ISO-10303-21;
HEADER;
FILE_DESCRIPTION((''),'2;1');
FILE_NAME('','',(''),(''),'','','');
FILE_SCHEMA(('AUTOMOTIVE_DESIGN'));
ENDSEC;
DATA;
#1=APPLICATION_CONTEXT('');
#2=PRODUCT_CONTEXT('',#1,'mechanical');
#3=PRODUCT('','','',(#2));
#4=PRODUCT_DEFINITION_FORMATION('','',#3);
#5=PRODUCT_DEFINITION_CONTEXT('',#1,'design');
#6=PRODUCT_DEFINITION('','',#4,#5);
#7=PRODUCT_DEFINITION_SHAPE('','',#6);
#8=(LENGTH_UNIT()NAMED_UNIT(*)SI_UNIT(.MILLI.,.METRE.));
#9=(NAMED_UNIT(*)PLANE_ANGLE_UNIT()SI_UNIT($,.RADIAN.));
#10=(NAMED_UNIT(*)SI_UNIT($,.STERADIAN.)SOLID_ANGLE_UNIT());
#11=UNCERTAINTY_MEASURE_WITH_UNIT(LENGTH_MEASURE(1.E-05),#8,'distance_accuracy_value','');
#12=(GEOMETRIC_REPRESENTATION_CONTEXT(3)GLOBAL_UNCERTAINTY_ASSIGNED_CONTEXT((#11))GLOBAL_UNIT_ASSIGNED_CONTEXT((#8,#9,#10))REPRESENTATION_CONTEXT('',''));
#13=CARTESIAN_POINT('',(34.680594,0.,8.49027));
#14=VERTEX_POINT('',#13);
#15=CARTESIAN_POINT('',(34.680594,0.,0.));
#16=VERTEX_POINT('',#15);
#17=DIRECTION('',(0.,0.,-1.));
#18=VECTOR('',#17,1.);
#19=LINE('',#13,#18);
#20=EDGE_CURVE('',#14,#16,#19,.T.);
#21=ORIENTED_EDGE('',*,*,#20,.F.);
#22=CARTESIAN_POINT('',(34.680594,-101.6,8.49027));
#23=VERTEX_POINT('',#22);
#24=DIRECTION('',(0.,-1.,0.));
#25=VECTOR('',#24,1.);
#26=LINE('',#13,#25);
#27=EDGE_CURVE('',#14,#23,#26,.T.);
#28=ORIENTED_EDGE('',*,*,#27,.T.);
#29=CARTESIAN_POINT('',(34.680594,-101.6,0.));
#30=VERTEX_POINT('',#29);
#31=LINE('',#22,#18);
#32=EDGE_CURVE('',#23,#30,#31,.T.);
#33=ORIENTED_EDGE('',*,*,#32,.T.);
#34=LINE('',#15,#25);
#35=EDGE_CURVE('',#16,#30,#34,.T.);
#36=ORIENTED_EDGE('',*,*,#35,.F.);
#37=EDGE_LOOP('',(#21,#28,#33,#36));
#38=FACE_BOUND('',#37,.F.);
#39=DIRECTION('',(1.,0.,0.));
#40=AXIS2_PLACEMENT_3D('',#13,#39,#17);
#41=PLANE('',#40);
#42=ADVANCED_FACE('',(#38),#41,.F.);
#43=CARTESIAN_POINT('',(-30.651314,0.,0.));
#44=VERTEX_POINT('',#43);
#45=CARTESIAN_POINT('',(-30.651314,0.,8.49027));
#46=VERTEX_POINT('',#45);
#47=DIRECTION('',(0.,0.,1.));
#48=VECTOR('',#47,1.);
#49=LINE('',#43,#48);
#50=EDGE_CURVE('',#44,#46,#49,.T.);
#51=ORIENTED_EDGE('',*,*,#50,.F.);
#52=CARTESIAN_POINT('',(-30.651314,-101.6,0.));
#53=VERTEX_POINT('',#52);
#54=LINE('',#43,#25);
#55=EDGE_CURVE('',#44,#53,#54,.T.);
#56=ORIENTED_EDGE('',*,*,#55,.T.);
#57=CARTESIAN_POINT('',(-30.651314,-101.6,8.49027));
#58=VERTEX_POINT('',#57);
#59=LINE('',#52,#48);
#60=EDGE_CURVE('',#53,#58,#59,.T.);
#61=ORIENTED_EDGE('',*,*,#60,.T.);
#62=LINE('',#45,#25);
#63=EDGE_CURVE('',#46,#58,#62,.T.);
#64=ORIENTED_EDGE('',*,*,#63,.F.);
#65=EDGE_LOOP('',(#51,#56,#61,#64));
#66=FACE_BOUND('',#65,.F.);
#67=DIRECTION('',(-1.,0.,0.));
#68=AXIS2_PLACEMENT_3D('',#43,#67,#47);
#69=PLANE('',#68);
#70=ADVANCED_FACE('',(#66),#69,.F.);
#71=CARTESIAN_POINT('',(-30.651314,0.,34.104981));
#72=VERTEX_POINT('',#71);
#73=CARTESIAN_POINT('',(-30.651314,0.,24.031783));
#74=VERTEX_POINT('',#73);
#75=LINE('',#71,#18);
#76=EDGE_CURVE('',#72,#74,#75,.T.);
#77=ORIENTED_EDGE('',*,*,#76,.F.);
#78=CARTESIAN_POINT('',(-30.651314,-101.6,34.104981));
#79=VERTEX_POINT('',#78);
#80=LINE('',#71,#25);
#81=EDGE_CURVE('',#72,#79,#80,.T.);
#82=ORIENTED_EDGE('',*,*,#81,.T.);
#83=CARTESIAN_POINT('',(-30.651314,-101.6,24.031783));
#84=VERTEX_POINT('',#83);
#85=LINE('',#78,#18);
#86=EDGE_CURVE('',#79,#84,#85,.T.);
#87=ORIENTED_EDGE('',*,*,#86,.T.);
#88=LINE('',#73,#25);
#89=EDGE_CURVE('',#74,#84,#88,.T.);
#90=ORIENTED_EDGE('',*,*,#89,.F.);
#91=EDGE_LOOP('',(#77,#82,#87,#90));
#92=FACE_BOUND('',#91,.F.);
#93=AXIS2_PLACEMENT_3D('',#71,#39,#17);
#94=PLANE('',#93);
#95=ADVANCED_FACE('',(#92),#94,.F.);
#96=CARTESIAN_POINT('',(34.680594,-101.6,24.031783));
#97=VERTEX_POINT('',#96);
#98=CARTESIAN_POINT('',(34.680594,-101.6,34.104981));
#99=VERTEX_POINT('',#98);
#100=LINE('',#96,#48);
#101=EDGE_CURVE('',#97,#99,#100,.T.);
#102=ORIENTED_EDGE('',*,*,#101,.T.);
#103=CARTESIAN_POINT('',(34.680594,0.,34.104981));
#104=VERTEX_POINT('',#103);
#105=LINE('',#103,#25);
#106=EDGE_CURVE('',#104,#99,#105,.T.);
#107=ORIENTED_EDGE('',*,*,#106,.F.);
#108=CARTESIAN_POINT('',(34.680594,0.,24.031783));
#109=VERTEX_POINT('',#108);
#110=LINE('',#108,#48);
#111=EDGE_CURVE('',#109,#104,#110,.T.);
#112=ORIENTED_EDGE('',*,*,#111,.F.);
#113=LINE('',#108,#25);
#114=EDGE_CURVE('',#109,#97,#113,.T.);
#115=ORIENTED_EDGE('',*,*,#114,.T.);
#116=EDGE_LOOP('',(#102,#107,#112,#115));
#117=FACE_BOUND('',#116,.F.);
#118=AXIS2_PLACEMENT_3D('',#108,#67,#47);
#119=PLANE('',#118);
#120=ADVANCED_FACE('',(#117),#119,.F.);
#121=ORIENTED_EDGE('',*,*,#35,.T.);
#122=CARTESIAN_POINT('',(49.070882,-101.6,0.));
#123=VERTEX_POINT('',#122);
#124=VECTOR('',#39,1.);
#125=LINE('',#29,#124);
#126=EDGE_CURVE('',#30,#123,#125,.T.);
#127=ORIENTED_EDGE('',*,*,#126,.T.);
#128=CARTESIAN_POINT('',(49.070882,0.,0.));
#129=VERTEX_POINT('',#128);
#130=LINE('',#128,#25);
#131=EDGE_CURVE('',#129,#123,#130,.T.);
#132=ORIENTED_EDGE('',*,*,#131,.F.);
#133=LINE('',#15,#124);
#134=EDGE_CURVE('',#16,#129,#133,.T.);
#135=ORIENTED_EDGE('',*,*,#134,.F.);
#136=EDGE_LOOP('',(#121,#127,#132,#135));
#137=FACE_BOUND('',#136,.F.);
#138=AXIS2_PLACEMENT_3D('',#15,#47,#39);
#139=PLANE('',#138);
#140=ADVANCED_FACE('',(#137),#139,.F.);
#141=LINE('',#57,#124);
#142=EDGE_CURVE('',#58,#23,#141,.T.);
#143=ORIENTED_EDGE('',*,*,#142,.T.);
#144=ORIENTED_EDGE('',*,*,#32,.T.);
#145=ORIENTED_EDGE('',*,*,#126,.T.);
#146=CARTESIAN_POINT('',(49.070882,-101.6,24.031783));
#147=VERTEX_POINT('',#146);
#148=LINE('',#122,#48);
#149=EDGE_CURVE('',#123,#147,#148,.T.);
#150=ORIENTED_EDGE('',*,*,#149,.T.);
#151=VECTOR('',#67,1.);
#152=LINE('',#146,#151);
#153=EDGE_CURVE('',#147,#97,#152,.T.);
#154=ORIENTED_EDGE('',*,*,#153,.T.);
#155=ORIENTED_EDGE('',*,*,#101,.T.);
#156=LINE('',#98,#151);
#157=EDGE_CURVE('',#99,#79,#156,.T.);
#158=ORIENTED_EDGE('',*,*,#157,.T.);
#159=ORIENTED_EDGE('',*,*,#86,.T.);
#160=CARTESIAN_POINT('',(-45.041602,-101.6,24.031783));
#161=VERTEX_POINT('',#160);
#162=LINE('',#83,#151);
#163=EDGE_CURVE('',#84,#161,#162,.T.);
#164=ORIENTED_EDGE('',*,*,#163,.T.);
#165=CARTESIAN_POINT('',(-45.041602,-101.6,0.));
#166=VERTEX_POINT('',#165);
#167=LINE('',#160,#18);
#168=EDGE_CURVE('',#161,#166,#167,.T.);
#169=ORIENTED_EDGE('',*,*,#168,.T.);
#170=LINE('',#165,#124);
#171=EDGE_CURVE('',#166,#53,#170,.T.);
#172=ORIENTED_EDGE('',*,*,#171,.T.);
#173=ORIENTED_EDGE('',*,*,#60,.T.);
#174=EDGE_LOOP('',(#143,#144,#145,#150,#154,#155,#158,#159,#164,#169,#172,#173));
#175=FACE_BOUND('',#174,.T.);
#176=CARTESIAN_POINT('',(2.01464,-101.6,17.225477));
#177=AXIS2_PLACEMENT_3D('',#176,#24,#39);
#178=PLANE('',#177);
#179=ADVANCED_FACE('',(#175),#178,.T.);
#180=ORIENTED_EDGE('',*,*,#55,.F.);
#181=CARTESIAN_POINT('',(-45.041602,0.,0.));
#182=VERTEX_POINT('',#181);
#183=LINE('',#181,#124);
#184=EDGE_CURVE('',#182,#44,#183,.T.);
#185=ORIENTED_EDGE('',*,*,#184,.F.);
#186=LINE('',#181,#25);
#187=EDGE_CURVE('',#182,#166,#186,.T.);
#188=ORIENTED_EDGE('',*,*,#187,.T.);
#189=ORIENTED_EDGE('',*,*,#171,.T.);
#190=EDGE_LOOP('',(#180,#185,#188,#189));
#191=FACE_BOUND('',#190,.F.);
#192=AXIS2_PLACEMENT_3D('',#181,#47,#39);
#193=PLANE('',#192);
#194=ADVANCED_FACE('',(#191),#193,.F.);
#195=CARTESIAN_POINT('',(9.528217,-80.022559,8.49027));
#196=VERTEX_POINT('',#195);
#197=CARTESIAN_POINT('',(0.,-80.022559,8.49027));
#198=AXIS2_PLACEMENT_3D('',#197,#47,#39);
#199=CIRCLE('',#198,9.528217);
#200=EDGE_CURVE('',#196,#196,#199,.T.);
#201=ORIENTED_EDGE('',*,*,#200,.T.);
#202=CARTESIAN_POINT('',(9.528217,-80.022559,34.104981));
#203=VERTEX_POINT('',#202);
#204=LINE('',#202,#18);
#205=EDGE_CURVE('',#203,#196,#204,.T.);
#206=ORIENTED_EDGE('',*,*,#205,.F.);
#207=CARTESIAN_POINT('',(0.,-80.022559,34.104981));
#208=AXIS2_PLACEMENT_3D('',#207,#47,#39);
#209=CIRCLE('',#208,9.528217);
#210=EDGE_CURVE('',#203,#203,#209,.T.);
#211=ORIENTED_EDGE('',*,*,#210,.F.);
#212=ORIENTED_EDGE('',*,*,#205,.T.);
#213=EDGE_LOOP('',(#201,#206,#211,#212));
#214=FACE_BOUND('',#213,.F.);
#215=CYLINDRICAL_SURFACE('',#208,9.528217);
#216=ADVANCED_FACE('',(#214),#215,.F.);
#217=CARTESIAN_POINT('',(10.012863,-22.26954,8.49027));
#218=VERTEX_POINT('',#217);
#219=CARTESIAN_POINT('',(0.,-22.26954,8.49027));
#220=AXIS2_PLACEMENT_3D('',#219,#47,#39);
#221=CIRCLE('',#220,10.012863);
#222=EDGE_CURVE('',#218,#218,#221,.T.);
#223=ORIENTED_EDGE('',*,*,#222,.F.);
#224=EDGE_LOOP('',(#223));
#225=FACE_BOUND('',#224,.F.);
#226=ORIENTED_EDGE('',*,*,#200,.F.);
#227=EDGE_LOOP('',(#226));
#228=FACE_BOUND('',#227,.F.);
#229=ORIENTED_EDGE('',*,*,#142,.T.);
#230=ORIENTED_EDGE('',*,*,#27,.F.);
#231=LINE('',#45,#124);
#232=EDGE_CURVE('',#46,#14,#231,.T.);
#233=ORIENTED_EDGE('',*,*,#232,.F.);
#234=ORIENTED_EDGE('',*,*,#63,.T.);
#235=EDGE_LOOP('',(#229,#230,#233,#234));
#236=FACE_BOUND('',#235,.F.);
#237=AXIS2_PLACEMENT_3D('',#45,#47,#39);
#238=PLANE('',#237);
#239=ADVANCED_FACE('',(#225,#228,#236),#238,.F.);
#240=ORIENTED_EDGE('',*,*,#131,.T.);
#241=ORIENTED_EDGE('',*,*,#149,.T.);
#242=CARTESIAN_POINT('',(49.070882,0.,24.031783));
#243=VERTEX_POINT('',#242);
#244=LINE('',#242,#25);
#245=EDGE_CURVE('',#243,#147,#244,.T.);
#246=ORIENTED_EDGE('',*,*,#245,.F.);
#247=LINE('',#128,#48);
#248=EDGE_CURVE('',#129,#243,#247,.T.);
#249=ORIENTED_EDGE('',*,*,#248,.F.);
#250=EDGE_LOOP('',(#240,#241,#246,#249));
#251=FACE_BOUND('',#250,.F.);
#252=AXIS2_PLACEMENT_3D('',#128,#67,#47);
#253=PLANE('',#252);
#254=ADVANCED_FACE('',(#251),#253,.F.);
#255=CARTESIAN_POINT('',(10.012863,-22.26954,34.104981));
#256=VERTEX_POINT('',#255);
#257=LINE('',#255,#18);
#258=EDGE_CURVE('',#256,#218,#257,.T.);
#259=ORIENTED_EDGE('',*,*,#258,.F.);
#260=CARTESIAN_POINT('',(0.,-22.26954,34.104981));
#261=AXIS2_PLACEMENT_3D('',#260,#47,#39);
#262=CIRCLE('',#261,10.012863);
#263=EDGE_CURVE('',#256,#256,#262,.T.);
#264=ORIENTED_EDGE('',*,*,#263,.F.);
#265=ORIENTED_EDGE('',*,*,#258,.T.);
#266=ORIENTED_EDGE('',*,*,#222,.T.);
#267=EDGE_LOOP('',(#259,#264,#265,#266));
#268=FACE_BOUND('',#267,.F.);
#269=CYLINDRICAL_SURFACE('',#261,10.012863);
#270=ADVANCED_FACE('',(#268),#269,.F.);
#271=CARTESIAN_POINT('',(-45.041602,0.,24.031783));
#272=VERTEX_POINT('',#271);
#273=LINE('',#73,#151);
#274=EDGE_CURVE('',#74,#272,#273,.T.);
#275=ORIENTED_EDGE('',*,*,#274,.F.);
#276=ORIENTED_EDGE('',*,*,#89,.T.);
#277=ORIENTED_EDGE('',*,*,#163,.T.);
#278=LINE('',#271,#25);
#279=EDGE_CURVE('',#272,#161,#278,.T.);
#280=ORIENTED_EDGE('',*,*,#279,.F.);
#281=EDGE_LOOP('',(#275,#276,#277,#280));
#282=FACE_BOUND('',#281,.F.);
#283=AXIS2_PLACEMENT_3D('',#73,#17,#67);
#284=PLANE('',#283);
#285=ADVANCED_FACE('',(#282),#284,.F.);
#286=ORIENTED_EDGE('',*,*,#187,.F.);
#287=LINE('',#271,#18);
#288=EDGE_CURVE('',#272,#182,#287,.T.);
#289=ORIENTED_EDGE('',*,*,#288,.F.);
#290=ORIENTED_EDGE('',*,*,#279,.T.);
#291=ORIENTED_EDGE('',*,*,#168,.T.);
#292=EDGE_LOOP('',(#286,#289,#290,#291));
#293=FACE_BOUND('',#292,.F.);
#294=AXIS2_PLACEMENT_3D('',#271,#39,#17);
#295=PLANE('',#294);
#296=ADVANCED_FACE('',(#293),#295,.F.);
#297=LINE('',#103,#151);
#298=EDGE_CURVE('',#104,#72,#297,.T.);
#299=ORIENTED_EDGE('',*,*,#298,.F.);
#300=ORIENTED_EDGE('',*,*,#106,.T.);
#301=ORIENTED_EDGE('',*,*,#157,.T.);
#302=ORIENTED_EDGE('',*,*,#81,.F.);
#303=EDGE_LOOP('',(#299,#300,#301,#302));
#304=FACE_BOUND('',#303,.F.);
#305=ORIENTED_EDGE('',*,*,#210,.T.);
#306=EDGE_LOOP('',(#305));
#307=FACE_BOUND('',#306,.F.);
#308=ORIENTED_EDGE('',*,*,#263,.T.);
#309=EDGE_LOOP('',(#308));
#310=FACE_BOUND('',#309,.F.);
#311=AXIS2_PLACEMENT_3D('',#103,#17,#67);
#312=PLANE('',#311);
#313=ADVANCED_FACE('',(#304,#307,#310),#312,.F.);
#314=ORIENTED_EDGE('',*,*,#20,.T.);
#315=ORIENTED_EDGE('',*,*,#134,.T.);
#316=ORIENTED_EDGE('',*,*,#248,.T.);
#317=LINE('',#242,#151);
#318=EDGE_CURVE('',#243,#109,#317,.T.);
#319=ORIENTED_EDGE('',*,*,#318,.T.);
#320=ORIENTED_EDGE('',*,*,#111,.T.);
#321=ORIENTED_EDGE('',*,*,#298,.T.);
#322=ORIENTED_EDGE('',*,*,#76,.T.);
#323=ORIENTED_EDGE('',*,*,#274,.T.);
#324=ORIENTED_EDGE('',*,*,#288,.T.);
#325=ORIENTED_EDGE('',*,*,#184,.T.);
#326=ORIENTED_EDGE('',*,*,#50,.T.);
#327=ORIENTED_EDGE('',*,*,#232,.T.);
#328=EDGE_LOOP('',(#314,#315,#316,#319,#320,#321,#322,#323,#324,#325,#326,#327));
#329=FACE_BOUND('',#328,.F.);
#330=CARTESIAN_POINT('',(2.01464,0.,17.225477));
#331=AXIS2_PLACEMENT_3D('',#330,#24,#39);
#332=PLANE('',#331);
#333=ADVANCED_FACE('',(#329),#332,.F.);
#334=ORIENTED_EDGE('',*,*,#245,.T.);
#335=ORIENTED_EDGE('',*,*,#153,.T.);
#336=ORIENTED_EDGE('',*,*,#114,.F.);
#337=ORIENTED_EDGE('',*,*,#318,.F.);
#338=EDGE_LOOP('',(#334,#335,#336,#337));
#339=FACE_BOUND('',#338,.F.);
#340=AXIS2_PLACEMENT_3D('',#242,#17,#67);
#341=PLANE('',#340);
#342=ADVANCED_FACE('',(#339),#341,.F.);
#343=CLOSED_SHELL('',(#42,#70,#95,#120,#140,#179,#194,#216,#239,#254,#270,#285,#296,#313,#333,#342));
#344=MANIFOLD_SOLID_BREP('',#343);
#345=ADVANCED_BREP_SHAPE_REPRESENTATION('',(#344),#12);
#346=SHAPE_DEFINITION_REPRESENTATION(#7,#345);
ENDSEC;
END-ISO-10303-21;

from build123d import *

# Parameters (mm, degrees)
F1_DEPTH = 101.6
F2_R     = 10.012863
F2_R_2   = 9.528217
F3_DEPTH = 76.2


with BuildPart() as f1:
    # F0 (on Front) → F1 (new body)
    with BuildSketch(Plane.XZ):
        Polygon((34.680594, 34.104981), (-30.651314, 34.104981), (-30.651314, 24.031783), (-45.041602, 24.031783), (-45.041602, 0), (-30.651314, 0), (-30.651314, 8.49027), (34.680594, 8.49027), (34.680594, 0), (49.070882, 0), (49.070882, 24.031783), (34.680594, 24.031783), align=None)
    extrude(amount=F1_DEPTH)

    # F2 (on face) → F3 (cut)
    with BuildSketch(Plane.XY.offset(34.104981)):
        with Locations((0, -22.26954)):
            Circle(F2_R)
        with Locations((0, -80.022559)):
            Circle(F2_R_2)
    extrude(amount=-F3_DEPTH, mode=Mode.SUBTRACT)


solid = f1.part
